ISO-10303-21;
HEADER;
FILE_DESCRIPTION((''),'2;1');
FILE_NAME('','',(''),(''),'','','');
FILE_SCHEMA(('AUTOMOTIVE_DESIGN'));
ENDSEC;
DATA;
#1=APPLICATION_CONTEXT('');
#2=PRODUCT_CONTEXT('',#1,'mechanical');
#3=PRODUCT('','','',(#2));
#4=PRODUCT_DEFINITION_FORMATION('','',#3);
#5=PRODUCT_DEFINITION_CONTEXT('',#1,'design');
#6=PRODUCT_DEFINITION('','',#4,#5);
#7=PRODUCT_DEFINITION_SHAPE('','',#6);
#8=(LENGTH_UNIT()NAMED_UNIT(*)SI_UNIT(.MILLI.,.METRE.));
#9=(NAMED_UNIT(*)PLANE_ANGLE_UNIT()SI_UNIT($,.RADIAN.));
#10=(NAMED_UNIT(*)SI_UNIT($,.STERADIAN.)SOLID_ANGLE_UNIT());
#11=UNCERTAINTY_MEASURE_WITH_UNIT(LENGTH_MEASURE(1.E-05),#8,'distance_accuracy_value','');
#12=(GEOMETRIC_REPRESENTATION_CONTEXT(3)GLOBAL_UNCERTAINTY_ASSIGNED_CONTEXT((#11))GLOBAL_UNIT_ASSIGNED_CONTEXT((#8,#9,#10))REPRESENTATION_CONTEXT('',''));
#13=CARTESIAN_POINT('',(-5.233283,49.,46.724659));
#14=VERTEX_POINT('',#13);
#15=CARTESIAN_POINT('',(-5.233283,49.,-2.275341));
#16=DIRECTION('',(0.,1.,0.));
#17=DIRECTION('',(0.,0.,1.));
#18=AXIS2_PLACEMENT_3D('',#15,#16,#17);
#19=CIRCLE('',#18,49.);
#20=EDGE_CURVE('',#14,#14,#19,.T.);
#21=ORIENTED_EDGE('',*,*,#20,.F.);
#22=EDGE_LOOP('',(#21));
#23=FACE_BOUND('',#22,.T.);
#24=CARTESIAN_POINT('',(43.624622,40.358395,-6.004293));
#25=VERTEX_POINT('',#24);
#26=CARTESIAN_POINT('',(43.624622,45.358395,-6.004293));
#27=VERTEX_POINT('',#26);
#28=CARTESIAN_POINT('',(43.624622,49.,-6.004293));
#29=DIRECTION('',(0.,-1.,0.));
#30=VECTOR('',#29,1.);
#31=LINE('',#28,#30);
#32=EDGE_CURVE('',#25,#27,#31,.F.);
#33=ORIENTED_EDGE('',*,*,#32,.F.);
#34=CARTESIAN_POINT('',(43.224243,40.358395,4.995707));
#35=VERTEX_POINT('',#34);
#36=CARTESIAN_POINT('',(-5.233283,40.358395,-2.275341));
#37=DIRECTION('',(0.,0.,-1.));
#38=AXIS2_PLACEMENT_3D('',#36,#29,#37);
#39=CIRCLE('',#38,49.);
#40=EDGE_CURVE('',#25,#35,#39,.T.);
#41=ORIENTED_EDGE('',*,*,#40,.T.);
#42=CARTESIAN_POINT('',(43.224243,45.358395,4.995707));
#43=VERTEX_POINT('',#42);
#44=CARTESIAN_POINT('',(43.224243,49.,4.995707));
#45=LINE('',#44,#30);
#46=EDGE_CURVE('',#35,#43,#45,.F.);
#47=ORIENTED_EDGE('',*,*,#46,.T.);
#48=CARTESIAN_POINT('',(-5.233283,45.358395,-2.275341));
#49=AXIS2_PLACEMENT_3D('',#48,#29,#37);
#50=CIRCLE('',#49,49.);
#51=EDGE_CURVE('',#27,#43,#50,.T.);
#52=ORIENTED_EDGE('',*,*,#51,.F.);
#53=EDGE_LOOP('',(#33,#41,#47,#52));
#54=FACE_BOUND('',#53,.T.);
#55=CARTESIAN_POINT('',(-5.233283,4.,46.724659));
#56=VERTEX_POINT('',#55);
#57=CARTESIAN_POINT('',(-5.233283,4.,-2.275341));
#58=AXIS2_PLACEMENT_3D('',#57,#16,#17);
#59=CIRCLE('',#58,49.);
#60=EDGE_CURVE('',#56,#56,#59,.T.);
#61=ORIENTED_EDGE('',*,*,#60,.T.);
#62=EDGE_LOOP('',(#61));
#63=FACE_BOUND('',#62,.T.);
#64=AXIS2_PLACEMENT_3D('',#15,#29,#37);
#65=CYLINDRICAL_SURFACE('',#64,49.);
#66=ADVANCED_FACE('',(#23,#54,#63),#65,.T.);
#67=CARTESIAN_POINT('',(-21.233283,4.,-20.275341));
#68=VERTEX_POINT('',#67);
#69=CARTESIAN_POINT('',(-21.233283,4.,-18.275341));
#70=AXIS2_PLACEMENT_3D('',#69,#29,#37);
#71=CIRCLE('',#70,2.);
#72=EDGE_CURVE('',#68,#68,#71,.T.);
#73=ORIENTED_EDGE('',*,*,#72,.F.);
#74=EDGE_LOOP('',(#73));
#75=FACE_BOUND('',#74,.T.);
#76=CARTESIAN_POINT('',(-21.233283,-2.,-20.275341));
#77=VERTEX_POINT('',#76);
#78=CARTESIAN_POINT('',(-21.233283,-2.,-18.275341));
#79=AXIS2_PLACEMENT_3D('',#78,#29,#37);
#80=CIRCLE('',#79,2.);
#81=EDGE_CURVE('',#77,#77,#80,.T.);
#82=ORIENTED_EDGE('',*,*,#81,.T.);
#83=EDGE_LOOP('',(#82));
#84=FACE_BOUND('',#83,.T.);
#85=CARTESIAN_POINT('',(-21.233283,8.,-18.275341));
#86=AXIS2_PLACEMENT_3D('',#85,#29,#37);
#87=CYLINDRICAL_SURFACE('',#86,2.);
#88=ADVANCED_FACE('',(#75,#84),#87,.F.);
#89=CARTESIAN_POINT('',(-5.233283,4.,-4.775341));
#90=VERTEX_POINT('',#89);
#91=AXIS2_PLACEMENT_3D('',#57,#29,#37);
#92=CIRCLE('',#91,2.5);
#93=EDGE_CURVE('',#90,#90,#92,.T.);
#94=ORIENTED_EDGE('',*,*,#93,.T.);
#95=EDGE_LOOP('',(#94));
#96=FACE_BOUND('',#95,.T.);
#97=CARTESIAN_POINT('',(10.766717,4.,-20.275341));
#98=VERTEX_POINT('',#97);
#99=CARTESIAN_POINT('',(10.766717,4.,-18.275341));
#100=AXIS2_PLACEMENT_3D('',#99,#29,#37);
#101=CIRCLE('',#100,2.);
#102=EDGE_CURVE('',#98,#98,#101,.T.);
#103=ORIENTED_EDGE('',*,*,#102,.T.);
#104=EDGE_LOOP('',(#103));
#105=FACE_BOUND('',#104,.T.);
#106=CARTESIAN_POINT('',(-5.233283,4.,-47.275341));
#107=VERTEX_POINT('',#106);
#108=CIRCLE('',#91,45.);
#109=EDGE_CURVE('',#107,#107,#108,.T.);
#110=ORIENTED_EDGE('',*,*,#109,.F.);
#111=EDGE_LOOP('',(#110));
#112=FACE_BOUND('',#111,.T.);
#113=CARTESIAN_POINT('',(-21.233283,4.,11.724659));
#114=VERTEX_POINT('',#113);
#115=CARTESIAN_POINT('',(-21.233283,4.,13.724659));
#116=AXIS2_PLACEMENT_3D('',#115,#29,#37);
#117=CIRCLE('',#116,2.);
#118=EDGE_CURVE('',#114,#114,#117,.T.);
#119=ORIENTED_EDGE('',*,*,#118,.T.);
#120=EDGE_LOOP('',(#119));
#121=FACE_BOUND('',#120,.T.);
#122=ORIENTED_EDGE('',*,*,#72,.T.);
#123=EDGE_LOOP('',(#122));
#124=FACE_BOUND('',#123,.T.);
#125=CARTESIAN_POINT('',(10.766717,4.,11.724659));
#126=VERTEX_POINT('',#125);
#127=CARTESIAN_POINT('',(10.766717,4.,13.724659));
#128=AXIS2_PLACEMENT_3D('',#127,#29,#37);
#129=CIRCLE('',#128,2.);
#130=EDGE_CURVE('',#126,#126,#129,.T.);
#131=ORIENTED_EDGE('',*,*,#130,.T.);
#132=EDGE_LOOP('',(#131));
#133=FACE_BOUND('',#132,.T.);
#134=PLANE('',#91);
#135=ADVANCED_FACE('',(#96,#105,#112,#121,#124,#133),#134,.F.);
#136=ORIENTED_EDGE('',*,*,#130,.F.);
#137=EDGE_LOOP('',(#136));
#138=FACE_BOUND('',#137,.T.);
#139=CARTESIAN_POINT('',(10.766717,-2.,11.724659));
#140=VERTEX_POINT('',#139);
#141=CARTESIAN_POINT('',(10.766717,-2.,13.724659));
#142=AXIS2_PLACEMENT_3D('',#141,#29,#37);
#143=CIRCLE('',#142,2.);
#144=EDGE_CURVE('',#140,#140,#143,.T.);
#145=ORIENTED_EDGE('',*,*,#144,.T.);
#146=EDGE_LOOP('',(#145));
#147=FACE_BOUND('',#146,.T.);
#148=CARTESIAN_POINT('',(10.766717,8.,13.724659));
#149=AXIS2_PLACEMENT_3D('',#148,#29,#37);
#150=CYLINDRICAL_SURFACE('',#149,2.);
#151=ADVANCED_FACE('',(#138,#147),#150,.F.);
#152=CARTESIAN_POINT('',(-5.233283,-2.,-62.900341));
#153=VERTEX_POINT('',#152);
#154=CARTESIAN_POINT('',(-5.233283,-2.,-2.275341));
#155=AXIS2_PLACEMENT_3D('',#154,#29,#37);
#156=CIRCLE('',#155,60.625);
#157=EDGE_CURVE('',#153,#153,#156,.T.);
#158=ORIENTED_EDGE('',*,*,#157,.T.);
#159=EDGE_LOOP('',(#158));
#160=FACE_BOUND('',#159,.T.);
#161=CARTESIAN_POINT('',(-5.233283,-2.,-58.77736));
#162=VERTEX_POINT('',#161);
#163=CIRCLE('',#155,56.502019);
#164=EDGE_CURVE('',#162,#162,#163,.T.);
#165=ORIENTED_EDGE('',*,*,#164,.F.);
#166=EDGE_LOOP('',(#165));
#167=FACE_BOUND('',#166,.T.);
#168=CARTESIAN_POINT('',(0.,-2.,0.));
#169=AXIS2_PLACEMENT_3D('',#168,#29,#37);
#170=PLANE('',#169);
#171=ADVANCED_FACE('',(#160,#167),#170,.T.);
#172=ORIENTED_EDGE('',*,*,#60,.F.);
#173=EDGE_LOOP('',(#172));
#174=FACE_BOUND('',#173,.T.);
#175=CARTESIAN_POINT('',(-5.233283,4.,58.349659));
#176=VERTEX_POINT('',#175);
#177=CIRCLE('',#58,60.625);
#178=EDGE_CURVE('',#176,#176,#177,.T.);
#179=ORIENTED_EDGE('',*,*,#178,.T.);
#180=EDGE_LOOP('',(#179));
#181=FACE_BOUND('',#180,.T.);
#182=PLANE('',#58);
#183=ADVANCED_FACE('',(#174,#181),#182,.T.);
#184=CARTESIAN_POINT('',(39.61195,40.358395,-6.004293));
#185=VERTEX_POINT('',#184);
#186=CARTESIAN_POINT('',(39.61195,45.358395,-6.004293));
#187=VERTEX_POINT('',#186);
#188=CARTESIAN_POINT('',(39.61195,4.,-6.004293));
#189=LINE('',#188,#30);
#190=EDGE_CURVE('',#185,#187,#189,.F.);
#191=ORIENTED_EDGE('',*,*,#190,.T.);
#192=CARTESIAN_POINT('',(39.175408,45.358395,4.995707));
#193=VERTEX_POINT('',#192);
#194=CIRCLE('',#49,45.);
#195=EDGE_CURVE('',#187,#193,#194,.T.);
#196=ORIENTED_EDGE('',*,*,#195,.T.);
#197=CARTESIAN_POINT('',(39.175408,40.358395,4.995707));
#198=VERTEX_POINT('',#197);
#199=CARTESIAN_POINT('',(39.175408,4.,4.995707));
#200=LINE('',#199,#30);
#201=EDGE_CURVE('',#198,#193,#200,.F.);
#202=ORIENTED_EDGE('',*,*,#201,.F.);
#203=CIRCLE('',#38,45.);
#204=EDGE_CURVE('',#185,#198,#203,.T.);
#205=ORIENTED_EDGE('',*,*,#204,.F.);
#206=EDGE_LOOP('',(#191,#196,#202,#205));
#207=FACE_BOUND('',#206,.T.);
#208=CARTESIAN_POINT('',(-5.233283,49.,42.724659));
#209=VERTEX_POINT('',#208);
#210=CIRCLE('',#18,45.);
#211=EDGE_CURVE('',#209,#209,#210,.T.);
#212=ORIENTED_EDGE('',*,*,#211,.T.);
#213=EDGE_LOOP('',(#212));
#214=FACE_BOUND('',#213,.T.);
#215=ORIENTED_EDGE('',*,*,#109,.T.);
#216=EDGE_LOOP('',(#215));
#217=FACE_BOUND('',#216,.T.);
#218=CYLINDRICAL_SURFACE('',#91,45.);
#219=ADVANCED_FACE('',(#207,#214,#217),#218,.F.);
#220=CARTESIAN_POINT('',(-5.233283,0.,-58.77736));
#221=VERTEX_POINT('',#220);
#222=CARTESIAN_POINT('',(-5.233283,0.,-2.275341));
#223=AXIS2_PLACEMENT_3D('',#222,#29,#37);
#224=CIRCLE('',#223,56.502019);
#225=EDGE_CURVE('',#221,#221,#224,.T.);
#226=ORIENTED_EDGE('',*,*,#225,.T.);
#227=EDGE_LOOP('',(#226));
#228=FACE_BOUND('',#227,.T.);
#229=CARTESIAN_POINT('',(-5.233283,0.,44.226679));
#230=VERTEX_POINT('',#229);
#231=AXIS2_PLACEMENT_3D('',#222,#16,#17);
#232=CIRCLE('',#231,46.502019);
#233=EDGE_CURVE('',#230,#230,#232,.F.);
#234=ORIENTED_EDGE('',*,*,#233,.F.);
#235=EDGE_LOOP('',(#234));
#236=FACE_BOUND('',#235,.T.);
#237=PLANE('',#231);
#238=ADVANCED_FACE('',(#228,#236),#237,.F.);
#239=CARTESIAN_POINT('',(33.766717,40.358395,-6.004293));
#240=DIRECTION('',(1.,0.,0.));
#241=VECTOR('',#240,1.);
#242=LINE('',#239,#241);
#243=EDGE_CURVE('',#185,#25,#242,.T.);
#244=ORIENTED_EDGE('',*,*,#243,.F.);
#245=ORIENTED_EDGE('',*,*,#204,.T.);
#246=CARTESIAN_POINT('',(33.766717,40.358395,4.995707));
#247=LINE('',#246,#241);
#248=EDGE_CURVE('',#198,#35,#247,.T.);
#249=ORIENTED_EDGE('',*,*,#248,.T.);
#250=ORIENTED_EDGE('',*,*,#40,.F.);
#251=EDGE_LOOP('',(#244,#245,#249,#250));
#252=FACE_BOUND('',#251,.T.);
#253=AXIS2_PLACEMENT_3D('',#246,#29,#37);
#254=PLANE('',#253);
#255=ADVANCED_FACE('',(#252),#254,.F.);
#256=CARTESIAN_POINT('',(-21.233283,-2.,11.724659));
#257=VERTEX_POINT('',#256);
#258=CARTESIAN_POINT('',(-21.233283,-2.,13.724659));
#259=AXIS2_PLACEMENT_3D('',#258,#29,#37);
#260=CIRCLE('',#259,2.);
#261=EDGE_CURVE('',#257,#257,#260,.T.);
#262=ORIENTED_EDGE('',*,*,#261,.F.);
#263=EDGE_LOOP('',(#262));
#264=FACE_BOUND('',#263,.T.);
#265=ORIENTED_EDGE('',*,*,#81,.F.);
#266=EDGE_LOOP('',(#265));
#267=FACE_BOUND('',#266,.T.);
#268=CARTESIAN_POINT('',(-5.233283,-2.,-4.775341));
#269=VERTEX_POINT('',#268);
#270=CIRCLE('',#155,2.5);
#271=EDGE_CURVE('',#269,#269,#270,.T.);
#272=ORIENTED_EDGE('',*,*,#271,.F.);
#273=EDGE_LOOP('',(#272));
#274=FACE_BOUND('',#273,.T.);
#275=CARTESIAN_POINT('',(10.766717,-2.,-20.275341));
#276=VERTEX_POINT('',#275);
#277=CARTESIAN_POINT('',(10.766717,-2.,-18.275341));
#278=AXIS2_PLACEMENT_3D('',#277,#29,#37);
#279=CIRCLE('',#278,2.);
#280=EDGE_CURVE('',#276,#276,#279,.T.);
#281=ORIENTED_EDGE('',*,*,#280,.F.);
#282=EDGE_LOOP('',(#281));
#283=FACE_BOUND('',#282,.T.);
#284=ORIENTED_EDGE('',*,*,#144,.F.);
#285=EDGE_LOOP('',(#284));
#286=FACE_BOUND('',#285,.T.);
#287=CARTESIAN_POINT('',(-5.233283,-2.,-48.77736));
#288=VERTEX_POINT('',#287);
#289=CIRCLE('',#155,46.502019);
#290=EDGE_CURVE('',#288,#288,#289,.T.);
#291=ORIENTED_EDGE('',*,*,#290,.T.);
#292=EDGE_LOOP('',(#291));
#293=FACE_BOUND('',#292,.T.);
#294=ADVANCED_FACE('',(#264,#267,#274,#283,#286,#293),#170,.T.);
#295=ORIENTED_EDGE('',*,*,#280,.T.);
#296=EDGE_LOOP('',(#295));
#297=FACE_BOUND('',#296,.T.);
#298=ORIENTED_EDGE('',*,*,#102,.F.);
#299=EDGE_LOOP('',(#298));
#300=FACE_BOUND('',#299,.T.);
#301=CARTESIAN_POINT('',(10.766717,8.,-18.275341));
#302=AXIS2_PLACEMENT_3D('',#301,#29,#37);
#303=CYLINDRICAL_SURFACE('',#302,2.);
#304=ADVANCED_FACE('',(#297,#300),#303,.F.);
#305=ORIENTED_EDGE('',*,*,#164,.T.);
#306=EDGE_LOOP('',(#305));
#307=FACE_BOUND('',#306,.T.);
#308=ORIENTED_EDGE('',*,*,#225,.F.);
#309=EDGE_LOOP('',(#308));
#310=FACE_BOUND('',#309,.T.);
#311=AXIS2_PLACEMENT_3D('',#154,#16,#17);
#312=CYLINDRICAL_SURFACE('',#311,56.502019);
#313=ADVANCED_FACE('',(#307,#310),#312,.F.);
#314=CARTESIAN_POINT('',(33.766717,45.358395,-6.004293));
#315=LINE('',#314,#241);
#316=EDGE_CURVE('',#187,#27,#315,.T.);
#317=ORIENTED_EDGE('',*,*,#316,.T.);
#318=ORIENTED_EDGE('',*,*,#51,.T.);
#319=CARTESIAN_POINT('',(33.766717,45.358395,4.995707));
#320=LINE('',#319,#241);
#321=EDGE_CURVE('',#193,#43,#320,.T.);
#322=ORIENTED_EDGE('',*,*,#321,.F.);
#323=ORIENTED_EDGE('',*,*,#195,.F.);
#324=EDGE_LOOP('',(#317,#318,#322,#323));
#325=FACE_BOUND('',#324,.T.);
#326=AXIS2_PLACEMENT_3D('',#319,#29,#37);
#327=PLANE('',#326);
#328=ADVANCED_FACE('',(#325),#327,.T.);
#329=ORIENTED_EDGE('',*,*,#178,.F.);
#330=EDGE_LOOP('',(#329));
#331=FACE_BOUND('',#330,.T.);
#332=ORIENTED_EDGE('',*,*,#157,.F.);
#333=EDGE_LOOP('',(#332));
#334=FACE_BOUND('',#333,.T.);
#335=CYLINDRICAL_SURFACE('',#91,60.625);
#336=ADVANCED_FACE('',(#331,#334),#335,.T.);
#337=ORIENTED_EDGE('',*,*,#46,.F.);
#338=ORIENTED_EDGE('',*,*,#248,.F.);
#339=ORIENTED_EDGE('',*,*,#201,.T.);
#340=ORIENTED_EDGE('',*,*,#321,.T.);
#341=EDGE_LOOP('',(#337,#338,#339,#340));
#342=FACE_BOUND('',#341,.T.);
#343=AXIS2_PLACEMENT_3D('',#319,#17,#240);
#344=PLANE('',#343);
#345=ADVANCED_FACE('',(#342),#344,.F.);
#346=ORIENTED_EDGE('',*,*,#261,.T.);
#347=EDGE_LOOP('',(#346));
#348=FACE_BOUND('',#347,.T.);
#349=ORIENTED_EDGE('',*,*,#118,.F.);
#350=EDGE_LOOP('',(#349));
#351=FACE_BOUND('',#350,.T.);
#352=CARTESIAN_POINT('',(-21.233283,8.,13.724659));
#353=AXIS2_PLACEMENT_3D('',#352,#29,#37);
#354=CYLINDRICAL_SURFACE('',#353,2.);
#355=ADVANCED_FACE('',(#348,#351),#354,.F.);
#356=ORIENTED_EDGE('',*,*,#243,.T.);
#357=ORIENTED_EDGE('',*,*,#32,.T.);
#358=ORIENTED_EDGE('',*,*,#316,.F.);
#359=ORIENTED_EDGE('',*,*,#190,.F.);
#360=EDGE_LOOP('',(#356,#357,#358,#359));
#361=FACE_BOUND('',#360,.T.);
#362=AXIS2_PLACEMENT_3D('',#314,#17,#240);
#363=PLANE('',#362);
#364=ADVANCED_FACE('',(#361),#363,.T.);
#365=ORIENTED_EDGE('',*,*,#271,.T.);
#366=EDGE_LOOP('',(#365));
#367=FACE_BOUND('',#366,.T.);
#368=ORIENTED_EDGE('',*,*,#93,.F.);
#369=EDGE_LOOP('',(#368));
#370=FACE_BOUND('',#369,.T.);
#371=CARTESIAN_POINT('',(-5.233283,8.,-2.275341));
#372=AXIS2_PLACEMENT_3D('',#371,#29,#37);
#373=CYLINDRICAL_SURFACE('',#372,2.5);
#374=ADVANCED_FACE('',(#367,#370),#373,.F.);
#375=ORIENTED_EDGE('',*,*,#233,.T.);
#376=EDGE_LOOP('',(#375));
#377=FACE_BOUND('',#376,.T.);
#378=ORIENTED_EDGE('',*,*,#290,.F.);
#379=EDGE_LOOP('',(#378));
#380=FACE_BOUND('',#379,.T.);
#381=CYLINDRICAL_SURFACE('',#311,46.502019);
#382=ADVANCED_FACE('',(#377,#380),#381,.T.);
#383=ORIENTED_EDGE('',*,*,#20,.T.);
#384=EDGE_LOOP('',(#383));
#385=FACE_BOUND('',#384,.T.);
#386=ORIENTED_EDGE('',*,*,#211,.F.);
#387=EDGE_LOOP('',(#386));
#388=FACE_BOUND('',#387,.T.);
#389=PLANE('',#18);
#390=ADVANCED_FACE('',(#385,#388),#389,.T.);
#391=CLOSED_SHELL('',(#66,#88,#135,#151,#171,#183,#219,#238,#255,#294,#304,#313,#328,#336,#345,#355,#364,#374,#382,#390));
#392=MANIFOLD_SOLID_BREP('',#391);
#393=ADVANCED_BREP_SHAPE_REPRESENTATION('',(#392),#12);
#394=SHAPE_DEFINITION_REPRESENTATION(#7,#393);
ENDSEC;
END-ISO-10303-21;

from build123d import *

# Parameters (mm, degrees)
SKETCH1_R           = 60.625
SKETCH1_R_2         = 45
BOSS_EXTRUDE1_DEPTH = 4
SKETCH2_R           = 49
SKETCH2_R_2         = 45
BOSS_EXTRUDE2_DEPTH = 45
SKETCH3_R           = 45
BOSS_EXTRUDE3_DEPTH = 4
BOSS_EXTRUDE7_START = 2
SKETCH4_R           = 60.625
SKETCH4_R_2         = 56.502019499
SKETCH4_R_3         = 46.502019499
BOSS_EXTRUDE7_DEPTH = 2
SKETCH5_R           = 2.5
SKETCH5_R_2         = 2
CUT_EXTRUDE1_DEPTH  = 10
SKETCH6_W           = 11
SKETCH6_H           = 5
CUT_EXTRUDE2_DEPTH  = 10


with BuildPart() as part:
    # Sketch1 → Boss-Extrude1 (new body)
    with BuildSketch(Plane(origin=(0, 0, 0), x_dir=(1, 0, 0), z_dir=(0, 1, 0))):
        with Locations(Location((-5.233283161, 2.275340505, 0), (0, 0, 270))):
            Circle(SKETCH1_R)
        with Locations(Location((-5.233283161, 2.275340505, 0), (0, 0, 270))):
            Circle(SKETCH1_R_2, mode=Mode.SUBTRACT)
    extrude(amount=BOSS_EXTRUDE1_DEPTH)

    # Sketch2 → Boss-Extrude2 (add)
    with BuildSketch(Plane(origin=(0, 4, 0), x_dir=(1, 0, 0), z_dir=(0, 1, 0))):
        with Locations(Location((-5.233283161, 2.275340505, 0), (0, 0, 90))):
            Circle(SKETCH2_R)
        with Locations(Location((-5.233283161, 2.275340505, 0), (0, 0, 270))):
            Circle(SKETCH2_R_2, mode=Mode.SUBTRACT)
    extrude(amount=BOSS_EXTRUDE2_DEPTH)

    # Sketch3 → Boss-Extrude3 (add)
    with BuildSketch(Plane(origin=(0, 0, 0), x_dir=(-1, 0, 0), z_dir=(0, -1, 0))):
        with Locations(Location((5.233283161, 2.275340505, 0), (0, 0, 90))):
            Circle(SKETCH3_R)
    extrude(amount=-BOSS_EXTRUDE3_DEPTH)

    # Sketch4 → Boss-Extrude7 (add)
    # profile 1 of 2: a face of its own
    with BuildSketch(Plane.XZ.offset(BOSS_EXTRUDE7_START)):
        with Locations(Location((-5.233283161, -2.275340505, 0), (0, 0, 270))):
            Circle(SKETCH4_R)
        with Locations(Location((-5.233283161, -2.275340505, 0), (0, 0, 270))):
            Circle(SKETCH4_R_2, mode=Mode.SUBTRACT)
    # profile 2 of 2: a face of its own
    with BuildSketch(Plane.XZ.offset(BOSS_EXTRUDE7_START)):
        with Locations(Location((-5.233283161, -2.275340505, 0), (0, 0, 90))):
            Circle(SKETCH4_R_3)
    extrude(amount=-BOSS_EXTRUDE7_DEPTH)

    # Sketch5 → Cut-Extrude1 (cut)
    with BuildSketch(Plane(origin=(0, -2, 0), x_dir=(-1, 0, 0), z_dir=(0, -1, 0))):
        with Locations(Location((5.233283161, 2.275340505, 0), (0, 0, 90))):
            Circle(SKETCH5_R)
        with Locations(Location((-10.766716839, -13.724659495, 0), (0, 0, 90))):
            Circle(SKETCH5_R_2)
        with Locations(Location((21.233283161, -13.724659495, 0), (0, 0, 90))):
            Circle(SKETCH5_R_2)
        with Locations(Location((21.233283161, 18.275340505, 0), (0, 0, 90))):
            Circle(SKETCH5_R_2)
        with Locations(Location((-10.766716839, 18.275340505, 0), (0, 0, 90))):
            Circle(SKETCH5_R_2)
    extrude(amount=-CUT_EXTRUDE1_DEPTH, mode=Mode.SUBTRACT)

    # Sketch6 → Cut-Extrude2 (cut)
    with BuildSketch(Plane(origin=(43.766716839, 0, 0), x_dir=(0, 0, -1), z_dir=(1, 0, 0))):
        with Locations((0.504292548, 42.858395169)):
            Rectangle(SKETCH6_W, SKETCH6_H)
    extrude(amount=-CUT_EXTRUDE2_DEPTH, mode=Mode.SUBTRACT)


solid = part.part
